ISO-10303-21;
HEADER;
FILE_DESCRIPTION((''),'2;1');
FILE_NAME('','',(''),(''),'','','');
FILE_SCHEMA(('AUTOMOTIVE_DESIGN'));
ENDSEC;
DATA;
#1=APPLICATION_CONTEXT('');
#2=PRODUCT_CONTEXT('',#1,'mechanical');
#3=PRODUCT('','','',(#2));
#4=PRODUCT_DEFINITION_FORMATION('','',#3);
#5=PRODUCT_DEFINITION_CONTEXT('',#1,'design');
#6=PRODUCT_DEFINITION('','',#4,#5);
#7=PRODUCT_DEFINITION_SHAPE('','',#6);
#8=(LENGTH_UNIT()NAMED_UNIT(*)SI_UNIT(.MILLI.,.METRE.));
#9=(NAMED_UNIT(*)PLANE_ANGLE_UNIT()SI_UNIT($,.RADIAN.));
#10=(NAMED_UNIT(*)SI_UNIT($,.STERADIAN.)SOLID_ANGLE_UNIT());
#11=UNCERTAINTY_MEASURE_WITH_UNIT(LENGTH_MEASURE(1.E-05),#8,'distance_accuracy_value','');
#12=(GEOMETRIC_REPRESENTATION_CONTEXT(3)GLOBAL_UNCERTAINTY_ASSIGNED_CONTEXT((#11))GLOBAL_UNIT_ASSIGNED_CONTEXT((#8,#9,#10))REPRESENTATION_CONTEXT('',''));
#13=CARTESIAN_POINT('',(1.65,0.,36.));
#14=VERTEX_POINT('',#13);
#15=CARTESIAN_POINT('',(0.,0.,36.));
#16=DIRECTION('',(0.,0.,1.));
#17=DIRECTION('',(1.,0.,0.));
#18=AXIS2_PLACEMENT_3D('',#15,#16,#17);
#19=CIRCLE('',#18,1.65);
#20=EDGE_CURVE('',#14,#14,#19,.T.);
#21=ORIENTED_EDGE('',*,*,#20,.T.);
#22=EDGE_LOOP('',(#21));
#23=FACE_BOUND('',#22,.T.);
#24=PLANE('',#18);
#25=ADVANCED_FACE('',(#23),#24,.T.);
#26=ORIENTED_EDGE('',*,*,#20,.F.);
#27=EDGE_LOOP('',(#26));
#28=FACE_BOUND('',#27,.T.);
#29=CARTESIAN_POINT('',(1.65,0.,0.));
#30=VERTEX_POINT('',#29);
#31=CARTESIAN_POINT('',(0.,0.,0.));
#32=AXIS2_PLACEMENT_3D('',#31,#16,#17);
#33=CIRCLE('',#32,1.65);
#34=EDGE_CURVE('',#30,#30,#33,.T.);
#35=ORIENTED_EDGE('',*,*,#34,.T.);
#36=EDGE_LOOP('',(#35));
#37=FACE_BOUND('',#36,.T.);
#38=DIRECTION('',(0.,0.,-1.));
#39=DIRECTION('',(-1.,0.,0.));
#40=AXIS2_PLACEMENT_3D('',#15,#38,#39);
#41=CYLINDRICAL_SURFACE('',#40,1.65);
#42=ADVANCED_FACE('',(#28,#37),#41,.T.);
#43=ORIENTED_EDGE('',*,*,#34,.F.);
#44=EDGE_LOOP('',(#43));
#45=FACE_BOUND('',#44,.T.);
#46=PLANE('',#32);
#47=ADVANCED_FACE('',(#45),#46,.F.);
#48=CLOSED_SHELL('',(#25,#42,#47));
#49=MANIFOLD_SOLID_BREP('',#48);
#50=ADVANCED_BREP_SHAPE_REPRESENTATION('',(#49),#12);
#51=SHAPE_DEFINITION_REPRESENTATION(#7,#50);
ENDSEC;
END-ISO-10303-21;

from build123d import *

# Parameters (mm, degrees)
SKICA1_R                = 1.65
P_IDAT_VYSUNUT_M1_DEPTH = 36


with BuildPart() as part:
    # Skica1 → Přidat vysunutím1 (new body)
    with BuildSketch(Plane.XY):
        Circle(SKICA1_R)
    extrude(amount=P_IDAT_VYSUNUT_M1_DEPTH)


solid = part.part
